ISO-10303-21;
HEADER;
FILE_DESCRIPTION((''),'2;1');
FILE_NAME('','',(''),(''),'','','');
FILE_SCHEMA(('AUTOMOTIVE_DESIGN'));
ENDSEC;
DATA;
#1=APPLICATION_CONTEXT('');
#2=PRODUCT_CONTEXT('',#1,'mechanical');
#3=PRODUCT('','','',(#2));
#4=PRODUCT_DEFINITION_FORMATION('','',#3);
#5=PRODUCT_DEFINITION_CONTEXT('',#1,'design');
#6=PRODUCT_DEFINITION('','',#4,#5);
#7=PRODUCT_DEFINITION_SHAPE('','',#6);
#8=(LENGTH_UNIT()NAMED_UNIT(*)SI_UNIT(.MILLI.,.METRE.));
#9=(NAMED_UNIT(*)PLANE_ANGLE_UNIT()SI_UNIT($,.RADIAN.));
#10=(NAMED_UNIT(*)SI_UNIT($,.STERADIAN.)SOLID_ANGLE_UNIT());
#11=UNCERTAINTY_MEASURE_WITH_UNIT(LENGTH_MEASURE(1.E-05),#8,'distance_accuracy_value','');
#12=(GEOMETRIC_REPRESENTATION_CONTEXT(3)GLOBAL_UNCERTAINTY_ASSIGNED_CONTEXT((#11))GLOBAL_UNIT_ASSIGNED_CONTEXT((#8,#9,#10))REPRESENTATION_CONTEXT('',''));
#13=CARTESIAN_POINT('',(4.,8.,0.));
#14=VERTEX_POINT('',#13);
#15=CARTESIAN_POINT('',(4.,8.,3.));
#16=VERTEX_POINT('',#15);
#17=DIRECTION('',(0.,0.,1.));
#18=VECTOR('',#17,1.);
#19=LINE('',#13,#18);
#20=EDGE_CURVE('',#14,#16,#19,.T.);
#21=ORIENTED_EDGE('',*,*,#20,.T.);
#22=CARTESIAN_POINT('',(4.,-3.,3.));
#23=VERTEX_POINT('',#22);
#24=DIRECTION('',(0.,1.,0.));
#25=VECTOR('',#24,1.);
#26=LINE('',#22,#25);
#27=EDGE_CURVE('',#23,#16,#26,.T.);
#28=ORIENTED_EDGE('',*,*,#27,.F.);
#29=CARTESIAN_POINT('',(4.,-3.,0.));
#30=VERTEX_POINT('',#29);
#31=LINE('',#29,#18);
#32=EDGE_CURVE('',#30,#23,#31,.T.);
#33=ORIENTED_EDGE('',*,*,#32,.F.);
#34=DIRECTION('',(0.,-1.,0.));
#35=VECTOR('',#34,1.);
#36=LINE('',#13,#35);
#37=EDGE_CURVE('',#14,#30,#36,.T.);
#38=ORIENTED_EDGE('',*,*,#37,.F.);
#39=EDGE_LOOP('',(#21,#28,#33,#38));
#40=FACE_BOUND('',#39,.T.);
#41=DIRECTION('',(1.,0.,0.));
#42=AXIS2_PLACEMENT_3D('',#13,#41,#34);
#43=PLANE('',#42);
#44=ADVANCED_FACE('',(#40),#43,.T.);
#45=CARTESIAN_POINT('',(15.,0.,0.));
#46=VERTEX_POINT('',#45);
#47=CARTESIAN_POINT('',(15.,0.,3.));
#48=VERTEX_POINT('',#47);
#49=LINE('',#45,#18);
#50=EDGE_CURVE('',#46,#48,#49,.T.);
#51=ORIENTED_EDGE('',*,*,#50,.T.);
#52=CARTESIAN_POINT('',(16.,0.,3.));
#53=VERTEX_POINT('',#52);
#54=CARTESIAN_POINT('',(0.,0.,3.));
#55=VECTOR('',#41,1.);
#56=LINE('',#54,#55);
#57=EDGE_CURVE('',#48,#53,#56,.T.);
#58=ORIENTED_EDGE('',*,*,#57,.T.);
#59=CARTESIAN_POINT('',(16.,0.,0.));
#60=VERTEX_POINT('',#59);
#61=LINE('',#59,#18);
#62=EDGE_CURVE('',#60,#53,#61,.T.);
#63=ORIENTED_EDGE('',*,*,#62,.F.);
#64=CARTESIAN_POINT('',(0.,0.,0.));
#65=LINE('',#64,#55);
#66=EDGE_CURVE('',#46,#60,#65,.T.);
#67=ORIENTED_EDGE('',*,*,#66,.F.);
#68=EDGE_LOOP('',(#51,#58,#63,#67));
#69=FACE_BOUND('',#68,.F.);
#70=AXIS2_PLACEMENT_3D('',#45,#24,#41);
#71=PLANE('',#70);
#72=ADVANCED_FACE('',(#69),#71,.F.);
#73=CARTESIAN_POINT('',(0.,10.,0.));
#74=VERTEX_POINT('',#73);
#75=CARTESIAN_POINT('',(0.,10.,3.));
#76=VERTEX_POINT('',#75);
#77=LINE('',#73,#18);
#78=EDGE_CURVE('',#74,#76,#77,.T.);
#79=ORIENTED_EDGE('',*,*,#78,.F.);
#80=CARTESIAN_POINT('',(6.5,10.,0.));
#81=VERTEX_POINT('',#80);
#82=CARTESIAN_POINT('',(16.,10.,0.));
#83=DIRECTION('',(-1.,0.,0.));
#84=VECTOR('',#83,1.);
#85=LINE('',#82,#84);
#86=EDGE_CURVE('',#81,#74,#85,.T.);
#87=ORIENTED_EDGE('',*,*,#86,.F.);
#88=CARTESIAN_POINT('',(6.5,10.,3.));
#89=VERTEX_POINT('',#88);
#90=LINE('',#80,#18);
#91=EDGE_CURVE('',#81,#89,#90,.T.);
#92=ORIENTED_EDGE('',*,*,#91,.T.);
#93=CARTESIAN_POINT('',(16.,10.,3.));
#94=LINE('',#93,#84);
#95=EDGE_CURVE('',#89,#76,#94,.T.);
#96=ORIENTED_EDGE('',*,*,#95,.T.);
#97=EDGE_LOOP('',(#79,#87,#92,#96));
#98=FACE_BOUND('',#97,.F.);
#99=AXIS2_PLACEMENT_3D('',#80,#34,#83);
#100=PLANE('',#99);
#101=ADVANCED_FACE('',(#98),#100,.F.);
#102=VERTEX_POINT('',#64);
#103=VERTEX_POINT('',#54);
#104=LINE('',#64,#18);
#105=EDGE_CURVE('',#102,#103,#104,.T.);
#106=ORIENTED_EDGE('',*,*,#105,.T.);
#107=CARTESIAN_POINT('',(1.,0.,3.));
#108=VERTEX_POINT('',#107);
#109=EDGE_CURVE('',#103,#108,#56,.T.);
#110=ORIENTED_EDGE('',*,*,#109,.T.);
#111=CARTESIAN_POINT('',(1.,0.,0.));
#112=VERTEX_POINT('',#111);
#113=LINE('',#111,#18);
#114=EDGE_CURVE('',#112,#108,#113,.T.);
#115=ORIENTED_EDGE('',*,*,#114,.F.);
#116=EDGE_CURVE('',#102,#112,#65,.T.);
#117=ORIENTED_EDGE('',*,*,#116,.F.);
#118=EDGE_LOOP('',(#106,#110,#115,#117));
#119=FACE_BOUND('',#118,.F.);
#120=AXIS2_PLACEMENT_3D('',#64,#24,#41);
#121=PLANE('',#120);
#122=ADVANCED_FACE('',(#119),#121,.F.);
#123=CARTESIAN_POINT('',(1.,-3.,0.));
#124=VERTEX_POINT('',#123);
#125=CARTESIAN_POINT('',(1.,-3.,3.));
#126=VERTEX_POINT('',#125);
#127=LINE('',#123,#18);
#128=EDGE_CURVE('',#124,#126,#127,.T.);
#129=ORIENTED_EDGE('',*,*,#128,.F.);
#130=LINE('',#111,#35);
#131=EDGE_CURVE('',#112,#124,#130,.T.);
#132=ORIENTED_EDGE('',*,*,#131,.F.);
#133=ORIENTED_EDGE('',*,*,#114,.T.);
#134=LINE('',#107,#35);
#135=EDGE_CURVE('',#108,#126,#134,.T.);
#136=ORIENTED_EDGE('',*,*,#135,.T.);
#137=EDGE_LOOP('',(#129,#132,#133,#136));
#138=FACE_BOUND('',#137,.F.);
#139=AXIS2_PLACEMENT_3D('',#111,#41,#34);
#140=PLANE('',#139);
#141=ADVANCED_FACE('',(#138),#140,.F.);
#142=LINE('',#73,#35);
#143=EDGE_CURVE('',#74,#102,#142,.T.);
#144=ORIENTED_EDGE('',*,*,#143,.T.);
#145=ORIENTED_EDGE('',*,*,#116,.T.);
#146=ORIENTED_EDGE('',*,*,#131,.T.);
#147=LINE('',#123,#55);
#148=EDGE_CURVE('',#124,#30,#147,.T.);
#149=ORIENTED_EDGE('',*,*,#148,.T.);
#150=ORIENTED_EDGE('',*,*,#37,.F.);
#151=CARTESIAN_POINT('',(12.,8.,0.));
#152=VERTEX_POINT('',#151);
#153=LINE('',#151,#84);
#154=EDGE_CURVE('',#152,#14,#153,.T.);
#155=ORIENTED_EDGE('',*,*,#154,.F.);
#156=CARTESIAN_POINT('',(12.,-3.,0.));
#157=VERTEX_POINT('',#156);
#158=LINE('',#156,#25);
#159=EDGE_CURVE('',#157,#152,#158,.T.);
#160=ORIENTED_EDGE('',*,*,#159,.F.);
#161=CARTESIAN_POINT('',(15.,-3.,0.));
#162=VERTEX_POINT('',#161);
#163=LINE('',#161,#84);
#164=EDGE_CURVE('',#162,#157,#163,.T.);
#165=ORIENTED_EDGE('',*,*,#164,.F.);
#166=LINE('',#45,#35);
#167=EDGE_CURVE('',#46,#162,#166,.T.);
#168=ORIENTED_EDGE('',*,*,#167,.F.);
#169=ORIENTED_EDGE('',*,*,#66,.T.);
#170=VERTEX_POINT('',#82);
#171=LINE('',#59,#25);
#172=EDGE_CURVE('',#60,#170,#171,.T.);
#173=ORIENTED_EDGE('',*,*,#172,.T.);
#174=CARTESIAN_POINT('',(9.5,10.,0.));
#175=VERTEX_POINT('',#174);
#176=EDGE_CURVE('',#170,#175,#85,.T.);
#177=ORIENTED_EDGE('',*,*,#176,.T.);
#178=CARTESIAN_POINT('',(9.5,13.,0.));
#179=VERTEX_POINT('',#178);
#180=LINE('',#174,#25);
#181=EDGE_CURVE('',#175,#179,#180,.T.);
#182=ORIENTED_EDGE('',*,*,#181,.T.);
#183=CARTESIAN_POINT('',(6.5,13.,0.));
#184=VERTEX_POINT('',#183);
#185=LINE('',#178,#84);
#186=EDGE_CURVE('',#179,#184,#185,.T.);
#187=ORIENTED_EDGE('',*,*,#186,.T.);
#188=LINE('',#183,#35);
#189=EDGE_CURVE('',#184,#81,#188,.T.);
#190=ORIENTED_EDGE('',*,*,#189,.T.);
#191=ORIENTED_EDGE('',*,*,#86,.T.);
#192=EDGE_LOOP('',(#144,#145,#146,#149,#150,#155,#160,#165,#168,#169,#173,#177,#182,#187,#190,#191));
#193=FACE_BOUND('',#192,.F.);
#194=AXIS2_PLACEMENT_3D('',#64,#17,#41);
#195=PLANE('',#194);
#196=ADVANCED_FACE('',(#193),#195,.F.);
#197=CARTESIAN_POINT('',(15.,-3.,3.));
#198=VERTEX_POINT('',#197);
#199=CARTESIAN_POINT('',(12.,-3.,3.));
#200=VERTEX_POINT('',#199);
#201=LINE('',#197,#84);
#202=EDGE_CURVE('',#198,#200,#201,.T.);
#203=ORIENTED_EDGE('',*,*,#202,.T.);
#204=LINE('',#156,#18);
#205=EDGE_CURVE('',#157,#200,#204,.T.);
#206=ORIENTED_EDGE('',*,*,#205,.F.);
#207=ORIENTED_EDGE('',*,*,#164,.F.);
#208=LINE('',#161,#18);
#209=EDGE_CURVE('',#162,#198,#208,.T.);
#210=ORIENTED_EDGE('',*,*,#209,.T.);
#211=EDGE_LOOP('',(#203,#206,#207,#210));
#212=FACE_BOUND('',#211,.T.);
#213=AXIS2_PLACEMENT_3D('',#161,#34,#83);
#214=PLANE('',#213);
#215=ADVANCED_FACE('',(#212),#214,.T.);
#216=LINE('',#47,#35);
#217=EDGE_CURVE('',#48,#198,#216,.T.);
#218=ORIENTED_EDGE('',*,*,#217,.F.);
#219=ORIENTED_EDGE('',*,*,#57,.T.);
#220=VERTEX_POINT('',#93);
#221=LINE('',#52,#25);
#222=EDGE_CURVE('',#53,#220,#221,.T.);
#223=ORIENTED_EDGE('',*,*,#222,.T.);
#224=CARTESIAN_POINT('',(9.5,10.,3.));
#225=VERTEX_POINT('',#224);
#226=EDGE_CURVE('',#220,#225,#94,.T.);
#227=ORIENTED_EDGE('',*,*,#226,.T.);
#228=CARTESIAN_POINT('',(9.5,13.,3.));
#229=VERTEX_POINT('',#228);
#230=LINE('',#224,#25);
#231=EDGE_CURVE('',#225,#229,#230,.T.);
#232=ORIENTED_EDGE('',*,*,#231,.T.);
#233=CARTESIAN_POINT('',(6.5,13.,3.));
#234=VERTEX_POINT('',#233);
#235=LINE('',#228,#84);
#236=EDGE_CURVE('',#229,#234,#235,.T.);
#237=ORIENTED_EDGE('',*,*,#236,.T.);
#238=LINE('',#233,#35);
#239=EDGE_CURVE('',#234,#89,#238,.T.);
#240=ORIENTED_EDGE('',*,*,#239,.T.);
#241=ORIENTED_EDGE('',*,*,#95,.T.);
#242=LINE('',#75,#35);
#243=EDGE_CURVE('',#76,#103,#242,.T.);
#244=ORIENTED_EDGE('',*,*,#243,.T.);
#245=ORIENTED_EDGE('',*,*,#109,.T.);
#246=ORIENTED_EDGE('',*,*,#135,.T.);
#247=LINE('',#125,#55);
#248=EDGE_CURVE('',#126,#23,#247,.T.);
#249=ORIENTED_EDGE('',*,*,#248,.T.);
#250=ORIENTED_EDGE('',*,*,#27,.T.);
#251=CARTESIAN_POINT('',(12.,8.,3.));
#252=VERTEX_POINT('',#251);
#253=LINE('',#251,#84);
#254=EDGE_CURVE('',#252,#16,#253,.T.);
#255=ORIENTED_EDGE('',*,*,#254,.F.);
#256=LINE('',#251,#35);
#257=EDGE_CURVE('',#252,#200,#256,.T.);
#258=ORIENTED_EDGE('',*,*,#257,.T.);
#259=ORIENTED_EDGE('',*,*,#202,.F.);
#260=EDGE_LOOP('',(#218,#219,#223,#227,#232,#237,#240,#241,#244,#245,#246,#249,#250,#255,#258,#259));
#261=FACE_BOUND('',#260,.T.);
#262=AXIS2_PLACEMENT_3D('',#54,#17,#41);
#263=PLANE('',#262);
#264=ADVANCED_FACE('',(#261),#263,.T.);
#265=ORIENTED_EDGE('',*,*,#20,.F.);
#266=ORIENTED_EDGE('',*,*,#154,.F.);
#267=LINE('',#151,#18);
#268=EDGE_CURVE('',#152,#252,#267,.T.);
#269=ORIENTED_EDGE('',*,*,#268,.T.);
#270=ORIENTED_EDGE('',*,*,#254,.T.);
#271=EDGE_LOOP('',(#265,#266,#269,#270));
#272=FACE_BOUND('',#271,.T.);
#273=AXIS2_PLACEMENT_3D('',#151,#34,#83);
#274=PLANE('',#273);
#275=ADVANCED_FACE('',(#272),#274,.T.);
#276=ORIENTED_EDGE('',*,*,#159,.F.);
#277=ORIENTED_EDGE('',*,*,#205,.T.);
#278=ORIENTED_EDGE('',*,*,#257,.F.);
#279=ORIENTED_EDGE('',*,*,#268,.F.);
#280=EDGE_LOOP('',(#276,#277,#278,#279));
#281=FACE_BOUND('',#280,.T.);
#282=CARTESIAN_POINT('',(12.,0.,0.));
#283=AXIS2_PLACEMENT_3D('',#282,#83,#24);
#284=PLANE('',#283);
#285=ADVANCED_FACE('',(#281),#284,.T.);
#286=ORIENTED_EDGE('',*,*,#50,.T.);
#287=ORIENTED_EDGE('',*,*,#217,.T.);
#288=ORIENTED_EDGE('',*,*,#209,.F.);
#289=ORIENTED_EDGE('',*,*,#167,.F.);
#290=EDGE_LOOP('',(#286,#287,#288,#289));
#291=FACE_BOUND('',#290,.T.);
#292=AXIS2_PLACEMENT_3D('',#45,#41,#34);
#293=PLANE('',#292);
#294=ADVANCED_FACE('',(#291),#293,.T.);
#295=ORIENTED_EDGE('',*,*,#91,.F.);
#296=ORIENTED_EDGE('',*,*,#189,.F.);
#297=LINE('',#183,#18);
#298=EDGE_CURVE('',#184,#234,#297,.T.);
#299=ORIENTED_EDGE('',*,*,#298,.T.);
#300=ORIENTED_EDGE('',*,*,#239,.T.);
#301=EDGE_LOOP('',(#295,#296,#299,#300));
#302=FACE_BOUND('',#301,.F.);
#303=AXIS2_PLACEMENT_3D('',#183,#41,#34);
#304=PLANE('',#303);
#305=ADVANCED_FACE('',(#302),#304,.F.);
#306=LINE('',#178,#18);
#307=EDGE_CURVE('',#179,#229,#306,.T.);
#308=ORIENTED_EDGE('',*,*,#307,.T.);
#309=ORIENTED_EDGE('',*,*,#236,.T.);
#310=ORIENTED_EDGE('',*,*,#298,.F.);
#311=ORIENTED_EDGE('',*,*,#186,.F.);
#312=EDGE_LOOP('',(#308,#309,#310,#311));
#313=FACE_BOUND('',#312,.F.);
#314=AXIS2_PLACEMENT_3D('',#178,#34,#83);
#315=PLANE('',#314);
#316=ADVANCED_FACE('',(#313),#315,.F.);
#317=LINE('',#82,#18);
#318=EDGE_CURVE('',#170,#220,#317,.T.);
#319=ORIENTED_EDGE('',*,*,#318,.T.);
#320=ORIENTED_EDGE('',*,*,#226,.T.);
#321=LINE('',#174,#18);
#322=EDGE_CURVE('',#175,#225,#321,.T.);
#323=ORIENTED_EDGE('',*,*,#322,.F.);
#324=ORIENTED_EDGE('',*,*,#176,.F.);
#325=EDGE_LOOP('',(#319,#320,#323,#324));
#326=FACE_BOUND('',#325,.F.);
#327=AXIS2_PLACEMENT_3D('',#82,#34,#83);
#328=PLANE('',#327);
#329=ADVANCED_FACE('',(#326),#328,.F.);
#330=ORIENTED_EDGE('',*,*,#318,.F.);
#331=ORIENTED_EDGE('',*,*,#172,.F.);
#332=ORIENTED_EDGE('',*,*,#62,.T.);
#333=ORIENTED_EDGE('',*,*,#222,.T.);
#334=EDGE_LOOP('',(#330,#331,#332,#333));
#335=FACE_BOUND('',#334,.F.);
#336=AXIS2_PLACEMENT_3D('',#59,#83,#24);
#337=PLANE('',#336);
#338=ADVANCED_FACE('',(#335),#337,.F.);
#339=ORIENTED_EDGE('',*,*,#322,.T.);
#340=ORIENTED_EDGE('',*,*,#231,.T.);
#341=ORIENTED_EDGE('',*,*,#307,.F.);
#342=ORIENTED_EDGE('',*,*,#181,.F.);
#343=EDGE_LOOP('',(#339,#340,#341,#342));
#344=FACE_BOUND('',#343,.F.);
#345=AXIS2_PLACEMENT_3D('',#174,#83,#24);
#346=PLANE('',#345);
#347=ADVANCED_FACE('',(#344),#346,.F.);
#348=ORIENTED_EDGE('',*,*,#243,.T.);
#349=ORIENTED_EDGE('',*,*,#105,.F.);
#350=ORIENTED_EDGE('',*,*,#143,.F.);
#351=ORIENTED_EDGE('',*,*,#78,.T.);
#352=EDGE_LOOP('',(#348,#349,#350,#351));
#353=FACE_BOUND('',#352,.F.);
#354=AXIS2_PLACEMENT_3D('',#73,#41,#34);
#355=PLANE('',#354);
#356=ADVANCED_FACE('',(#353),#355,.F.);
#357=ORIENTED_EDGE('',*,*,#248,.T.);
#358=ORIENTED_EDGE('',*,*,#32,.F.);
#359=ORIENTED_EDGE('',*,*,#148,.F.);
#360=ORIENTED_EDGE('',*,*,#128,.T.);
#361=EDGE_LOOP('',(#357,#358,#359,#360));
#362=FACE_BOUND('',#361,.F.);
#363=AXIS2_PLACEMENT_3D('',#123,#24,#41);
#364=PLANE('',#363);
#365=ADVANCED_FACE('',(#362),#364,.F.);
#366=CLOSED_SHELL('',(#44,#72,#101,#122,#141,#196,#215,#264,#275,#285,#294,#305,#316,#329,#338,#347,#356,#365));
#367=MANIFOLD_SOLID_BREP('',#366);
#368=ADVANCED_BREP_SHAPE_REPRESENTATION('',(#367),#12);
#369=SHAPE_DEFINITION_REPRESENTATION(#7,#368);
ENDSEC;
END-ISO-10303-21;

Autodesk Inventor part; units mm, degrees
ref_plane "YZ Plane" through (0, 0, 0) normal (1, 0, 0) x (0, 1, 0)
ref_plane "XZ Plane" through (0, 0, 0) normal (0, 1, 0) x (-1, 0, 0)
ref_plane "XY Plane" through (0, 0, 0) normal (0, 0, 1) x (1, 0, 0)
sketch "草圖1" plane through (0, 0, 0) normal (0, 0, 1) x (1, 0, 0)
  line L0 (0, 0) -> (16, 0)
  line L1 (16, 0) -> (16, 10)
  line L2 (16, 10) -> (0, 10)
  line L3 (0, 10) -> (0, 0)
  line L4 (4, 0) -> (12, 0)
  line L5 (12, 0) -> (12, 8)
  line L6 (12, 8) -> (4, 8)
  line L7 (4, 8) -> (4, 0)
  line L8 (0, 10) -> (16, 0) construction
  line L9 (16, 10) -> (0, 0) construction
  circle A0 centre (8, 5) radius 1.5 construction
  line L10 (6.5, 10) -> (9.5, 10) construction
  line L11 (9.5, 10) -> (9.5, 13)
  line L12 (9.5, 13) -> (6.5, 13)
  line L13 (6.5, 13) -> (6.5, 10)
  line L14 (4, 0) -> (1, 0)
  line L15 (1, 0) -> (1, -3)
  line L16 (1, -3) -> (4, -3)
  line L17 (4, -3) -> (4, 0)
  line L18 (12, 0) -> (15, 0)
  line L19 (15, 0) -> (15, -3)
  line L20 (15, -3) -> (12, -3)
  line L21 (12, -3) -> (12, 0)
  point P0 (8, 13)
  point P1 (8, 5)
  point P2 (1, 0)
  dimension "d0" = 8
  dimension "d1" = 3
  dimension "d2" = 2
  dimension "d3" = 16
  dimension "d4" = 4
  dimension "d5" = 10
  dimension "d6" = 3
  dimension "d7" = 3
  dimension "d8" = 3
  dimension "d9" = 3
  dimension "d10" = 3
extrude "擠出1" add sketch "草圖1" along normal blind 3 contours L3 L2 L1 L0 L5 L6 L7 | L0 L17 L16 L15 | L13 L12 L11 L2 | L0 L19 L20 L21
sketch "草圖2" plane through (0, 0, 3) normal (0, 0, 1) x (1, 0, 0)
  line L0 (15, -3) -> (15, 0) projected
  line L1 (15, 0) -> (16, 0) projected
  line L2 (16, 0) -> (16, 10) projected
  line L3 (16, 10) -> (9.5, 10) projected
  line L4 (9.5, 10) -> (9.5, 13) projected
  line L5 (9.5, 13) -> (6.5, 13) projected
  line L6 (6.5, 13) -> (6.5, 10) projected
  line L7 (6.5, 10) -> (0, 10) projected
  line L8 (0, 10) -> (0, 0) projected
  line L9 (0, 0) -> (1, 0) projected
  line L10 (1, 0) -> (1, -3) projected
  line L11 (1, -3) -> (4, -3) projected
  line L12 (4, -3) -> (4, 8) projected
  line L13 (4, 8) -> (12, 8) projected
  line L14 (12, 8) -> (12, -3) projected
  line L15 (12, -3) -> (15, -3) projected
properties part number "motorbase_1"
